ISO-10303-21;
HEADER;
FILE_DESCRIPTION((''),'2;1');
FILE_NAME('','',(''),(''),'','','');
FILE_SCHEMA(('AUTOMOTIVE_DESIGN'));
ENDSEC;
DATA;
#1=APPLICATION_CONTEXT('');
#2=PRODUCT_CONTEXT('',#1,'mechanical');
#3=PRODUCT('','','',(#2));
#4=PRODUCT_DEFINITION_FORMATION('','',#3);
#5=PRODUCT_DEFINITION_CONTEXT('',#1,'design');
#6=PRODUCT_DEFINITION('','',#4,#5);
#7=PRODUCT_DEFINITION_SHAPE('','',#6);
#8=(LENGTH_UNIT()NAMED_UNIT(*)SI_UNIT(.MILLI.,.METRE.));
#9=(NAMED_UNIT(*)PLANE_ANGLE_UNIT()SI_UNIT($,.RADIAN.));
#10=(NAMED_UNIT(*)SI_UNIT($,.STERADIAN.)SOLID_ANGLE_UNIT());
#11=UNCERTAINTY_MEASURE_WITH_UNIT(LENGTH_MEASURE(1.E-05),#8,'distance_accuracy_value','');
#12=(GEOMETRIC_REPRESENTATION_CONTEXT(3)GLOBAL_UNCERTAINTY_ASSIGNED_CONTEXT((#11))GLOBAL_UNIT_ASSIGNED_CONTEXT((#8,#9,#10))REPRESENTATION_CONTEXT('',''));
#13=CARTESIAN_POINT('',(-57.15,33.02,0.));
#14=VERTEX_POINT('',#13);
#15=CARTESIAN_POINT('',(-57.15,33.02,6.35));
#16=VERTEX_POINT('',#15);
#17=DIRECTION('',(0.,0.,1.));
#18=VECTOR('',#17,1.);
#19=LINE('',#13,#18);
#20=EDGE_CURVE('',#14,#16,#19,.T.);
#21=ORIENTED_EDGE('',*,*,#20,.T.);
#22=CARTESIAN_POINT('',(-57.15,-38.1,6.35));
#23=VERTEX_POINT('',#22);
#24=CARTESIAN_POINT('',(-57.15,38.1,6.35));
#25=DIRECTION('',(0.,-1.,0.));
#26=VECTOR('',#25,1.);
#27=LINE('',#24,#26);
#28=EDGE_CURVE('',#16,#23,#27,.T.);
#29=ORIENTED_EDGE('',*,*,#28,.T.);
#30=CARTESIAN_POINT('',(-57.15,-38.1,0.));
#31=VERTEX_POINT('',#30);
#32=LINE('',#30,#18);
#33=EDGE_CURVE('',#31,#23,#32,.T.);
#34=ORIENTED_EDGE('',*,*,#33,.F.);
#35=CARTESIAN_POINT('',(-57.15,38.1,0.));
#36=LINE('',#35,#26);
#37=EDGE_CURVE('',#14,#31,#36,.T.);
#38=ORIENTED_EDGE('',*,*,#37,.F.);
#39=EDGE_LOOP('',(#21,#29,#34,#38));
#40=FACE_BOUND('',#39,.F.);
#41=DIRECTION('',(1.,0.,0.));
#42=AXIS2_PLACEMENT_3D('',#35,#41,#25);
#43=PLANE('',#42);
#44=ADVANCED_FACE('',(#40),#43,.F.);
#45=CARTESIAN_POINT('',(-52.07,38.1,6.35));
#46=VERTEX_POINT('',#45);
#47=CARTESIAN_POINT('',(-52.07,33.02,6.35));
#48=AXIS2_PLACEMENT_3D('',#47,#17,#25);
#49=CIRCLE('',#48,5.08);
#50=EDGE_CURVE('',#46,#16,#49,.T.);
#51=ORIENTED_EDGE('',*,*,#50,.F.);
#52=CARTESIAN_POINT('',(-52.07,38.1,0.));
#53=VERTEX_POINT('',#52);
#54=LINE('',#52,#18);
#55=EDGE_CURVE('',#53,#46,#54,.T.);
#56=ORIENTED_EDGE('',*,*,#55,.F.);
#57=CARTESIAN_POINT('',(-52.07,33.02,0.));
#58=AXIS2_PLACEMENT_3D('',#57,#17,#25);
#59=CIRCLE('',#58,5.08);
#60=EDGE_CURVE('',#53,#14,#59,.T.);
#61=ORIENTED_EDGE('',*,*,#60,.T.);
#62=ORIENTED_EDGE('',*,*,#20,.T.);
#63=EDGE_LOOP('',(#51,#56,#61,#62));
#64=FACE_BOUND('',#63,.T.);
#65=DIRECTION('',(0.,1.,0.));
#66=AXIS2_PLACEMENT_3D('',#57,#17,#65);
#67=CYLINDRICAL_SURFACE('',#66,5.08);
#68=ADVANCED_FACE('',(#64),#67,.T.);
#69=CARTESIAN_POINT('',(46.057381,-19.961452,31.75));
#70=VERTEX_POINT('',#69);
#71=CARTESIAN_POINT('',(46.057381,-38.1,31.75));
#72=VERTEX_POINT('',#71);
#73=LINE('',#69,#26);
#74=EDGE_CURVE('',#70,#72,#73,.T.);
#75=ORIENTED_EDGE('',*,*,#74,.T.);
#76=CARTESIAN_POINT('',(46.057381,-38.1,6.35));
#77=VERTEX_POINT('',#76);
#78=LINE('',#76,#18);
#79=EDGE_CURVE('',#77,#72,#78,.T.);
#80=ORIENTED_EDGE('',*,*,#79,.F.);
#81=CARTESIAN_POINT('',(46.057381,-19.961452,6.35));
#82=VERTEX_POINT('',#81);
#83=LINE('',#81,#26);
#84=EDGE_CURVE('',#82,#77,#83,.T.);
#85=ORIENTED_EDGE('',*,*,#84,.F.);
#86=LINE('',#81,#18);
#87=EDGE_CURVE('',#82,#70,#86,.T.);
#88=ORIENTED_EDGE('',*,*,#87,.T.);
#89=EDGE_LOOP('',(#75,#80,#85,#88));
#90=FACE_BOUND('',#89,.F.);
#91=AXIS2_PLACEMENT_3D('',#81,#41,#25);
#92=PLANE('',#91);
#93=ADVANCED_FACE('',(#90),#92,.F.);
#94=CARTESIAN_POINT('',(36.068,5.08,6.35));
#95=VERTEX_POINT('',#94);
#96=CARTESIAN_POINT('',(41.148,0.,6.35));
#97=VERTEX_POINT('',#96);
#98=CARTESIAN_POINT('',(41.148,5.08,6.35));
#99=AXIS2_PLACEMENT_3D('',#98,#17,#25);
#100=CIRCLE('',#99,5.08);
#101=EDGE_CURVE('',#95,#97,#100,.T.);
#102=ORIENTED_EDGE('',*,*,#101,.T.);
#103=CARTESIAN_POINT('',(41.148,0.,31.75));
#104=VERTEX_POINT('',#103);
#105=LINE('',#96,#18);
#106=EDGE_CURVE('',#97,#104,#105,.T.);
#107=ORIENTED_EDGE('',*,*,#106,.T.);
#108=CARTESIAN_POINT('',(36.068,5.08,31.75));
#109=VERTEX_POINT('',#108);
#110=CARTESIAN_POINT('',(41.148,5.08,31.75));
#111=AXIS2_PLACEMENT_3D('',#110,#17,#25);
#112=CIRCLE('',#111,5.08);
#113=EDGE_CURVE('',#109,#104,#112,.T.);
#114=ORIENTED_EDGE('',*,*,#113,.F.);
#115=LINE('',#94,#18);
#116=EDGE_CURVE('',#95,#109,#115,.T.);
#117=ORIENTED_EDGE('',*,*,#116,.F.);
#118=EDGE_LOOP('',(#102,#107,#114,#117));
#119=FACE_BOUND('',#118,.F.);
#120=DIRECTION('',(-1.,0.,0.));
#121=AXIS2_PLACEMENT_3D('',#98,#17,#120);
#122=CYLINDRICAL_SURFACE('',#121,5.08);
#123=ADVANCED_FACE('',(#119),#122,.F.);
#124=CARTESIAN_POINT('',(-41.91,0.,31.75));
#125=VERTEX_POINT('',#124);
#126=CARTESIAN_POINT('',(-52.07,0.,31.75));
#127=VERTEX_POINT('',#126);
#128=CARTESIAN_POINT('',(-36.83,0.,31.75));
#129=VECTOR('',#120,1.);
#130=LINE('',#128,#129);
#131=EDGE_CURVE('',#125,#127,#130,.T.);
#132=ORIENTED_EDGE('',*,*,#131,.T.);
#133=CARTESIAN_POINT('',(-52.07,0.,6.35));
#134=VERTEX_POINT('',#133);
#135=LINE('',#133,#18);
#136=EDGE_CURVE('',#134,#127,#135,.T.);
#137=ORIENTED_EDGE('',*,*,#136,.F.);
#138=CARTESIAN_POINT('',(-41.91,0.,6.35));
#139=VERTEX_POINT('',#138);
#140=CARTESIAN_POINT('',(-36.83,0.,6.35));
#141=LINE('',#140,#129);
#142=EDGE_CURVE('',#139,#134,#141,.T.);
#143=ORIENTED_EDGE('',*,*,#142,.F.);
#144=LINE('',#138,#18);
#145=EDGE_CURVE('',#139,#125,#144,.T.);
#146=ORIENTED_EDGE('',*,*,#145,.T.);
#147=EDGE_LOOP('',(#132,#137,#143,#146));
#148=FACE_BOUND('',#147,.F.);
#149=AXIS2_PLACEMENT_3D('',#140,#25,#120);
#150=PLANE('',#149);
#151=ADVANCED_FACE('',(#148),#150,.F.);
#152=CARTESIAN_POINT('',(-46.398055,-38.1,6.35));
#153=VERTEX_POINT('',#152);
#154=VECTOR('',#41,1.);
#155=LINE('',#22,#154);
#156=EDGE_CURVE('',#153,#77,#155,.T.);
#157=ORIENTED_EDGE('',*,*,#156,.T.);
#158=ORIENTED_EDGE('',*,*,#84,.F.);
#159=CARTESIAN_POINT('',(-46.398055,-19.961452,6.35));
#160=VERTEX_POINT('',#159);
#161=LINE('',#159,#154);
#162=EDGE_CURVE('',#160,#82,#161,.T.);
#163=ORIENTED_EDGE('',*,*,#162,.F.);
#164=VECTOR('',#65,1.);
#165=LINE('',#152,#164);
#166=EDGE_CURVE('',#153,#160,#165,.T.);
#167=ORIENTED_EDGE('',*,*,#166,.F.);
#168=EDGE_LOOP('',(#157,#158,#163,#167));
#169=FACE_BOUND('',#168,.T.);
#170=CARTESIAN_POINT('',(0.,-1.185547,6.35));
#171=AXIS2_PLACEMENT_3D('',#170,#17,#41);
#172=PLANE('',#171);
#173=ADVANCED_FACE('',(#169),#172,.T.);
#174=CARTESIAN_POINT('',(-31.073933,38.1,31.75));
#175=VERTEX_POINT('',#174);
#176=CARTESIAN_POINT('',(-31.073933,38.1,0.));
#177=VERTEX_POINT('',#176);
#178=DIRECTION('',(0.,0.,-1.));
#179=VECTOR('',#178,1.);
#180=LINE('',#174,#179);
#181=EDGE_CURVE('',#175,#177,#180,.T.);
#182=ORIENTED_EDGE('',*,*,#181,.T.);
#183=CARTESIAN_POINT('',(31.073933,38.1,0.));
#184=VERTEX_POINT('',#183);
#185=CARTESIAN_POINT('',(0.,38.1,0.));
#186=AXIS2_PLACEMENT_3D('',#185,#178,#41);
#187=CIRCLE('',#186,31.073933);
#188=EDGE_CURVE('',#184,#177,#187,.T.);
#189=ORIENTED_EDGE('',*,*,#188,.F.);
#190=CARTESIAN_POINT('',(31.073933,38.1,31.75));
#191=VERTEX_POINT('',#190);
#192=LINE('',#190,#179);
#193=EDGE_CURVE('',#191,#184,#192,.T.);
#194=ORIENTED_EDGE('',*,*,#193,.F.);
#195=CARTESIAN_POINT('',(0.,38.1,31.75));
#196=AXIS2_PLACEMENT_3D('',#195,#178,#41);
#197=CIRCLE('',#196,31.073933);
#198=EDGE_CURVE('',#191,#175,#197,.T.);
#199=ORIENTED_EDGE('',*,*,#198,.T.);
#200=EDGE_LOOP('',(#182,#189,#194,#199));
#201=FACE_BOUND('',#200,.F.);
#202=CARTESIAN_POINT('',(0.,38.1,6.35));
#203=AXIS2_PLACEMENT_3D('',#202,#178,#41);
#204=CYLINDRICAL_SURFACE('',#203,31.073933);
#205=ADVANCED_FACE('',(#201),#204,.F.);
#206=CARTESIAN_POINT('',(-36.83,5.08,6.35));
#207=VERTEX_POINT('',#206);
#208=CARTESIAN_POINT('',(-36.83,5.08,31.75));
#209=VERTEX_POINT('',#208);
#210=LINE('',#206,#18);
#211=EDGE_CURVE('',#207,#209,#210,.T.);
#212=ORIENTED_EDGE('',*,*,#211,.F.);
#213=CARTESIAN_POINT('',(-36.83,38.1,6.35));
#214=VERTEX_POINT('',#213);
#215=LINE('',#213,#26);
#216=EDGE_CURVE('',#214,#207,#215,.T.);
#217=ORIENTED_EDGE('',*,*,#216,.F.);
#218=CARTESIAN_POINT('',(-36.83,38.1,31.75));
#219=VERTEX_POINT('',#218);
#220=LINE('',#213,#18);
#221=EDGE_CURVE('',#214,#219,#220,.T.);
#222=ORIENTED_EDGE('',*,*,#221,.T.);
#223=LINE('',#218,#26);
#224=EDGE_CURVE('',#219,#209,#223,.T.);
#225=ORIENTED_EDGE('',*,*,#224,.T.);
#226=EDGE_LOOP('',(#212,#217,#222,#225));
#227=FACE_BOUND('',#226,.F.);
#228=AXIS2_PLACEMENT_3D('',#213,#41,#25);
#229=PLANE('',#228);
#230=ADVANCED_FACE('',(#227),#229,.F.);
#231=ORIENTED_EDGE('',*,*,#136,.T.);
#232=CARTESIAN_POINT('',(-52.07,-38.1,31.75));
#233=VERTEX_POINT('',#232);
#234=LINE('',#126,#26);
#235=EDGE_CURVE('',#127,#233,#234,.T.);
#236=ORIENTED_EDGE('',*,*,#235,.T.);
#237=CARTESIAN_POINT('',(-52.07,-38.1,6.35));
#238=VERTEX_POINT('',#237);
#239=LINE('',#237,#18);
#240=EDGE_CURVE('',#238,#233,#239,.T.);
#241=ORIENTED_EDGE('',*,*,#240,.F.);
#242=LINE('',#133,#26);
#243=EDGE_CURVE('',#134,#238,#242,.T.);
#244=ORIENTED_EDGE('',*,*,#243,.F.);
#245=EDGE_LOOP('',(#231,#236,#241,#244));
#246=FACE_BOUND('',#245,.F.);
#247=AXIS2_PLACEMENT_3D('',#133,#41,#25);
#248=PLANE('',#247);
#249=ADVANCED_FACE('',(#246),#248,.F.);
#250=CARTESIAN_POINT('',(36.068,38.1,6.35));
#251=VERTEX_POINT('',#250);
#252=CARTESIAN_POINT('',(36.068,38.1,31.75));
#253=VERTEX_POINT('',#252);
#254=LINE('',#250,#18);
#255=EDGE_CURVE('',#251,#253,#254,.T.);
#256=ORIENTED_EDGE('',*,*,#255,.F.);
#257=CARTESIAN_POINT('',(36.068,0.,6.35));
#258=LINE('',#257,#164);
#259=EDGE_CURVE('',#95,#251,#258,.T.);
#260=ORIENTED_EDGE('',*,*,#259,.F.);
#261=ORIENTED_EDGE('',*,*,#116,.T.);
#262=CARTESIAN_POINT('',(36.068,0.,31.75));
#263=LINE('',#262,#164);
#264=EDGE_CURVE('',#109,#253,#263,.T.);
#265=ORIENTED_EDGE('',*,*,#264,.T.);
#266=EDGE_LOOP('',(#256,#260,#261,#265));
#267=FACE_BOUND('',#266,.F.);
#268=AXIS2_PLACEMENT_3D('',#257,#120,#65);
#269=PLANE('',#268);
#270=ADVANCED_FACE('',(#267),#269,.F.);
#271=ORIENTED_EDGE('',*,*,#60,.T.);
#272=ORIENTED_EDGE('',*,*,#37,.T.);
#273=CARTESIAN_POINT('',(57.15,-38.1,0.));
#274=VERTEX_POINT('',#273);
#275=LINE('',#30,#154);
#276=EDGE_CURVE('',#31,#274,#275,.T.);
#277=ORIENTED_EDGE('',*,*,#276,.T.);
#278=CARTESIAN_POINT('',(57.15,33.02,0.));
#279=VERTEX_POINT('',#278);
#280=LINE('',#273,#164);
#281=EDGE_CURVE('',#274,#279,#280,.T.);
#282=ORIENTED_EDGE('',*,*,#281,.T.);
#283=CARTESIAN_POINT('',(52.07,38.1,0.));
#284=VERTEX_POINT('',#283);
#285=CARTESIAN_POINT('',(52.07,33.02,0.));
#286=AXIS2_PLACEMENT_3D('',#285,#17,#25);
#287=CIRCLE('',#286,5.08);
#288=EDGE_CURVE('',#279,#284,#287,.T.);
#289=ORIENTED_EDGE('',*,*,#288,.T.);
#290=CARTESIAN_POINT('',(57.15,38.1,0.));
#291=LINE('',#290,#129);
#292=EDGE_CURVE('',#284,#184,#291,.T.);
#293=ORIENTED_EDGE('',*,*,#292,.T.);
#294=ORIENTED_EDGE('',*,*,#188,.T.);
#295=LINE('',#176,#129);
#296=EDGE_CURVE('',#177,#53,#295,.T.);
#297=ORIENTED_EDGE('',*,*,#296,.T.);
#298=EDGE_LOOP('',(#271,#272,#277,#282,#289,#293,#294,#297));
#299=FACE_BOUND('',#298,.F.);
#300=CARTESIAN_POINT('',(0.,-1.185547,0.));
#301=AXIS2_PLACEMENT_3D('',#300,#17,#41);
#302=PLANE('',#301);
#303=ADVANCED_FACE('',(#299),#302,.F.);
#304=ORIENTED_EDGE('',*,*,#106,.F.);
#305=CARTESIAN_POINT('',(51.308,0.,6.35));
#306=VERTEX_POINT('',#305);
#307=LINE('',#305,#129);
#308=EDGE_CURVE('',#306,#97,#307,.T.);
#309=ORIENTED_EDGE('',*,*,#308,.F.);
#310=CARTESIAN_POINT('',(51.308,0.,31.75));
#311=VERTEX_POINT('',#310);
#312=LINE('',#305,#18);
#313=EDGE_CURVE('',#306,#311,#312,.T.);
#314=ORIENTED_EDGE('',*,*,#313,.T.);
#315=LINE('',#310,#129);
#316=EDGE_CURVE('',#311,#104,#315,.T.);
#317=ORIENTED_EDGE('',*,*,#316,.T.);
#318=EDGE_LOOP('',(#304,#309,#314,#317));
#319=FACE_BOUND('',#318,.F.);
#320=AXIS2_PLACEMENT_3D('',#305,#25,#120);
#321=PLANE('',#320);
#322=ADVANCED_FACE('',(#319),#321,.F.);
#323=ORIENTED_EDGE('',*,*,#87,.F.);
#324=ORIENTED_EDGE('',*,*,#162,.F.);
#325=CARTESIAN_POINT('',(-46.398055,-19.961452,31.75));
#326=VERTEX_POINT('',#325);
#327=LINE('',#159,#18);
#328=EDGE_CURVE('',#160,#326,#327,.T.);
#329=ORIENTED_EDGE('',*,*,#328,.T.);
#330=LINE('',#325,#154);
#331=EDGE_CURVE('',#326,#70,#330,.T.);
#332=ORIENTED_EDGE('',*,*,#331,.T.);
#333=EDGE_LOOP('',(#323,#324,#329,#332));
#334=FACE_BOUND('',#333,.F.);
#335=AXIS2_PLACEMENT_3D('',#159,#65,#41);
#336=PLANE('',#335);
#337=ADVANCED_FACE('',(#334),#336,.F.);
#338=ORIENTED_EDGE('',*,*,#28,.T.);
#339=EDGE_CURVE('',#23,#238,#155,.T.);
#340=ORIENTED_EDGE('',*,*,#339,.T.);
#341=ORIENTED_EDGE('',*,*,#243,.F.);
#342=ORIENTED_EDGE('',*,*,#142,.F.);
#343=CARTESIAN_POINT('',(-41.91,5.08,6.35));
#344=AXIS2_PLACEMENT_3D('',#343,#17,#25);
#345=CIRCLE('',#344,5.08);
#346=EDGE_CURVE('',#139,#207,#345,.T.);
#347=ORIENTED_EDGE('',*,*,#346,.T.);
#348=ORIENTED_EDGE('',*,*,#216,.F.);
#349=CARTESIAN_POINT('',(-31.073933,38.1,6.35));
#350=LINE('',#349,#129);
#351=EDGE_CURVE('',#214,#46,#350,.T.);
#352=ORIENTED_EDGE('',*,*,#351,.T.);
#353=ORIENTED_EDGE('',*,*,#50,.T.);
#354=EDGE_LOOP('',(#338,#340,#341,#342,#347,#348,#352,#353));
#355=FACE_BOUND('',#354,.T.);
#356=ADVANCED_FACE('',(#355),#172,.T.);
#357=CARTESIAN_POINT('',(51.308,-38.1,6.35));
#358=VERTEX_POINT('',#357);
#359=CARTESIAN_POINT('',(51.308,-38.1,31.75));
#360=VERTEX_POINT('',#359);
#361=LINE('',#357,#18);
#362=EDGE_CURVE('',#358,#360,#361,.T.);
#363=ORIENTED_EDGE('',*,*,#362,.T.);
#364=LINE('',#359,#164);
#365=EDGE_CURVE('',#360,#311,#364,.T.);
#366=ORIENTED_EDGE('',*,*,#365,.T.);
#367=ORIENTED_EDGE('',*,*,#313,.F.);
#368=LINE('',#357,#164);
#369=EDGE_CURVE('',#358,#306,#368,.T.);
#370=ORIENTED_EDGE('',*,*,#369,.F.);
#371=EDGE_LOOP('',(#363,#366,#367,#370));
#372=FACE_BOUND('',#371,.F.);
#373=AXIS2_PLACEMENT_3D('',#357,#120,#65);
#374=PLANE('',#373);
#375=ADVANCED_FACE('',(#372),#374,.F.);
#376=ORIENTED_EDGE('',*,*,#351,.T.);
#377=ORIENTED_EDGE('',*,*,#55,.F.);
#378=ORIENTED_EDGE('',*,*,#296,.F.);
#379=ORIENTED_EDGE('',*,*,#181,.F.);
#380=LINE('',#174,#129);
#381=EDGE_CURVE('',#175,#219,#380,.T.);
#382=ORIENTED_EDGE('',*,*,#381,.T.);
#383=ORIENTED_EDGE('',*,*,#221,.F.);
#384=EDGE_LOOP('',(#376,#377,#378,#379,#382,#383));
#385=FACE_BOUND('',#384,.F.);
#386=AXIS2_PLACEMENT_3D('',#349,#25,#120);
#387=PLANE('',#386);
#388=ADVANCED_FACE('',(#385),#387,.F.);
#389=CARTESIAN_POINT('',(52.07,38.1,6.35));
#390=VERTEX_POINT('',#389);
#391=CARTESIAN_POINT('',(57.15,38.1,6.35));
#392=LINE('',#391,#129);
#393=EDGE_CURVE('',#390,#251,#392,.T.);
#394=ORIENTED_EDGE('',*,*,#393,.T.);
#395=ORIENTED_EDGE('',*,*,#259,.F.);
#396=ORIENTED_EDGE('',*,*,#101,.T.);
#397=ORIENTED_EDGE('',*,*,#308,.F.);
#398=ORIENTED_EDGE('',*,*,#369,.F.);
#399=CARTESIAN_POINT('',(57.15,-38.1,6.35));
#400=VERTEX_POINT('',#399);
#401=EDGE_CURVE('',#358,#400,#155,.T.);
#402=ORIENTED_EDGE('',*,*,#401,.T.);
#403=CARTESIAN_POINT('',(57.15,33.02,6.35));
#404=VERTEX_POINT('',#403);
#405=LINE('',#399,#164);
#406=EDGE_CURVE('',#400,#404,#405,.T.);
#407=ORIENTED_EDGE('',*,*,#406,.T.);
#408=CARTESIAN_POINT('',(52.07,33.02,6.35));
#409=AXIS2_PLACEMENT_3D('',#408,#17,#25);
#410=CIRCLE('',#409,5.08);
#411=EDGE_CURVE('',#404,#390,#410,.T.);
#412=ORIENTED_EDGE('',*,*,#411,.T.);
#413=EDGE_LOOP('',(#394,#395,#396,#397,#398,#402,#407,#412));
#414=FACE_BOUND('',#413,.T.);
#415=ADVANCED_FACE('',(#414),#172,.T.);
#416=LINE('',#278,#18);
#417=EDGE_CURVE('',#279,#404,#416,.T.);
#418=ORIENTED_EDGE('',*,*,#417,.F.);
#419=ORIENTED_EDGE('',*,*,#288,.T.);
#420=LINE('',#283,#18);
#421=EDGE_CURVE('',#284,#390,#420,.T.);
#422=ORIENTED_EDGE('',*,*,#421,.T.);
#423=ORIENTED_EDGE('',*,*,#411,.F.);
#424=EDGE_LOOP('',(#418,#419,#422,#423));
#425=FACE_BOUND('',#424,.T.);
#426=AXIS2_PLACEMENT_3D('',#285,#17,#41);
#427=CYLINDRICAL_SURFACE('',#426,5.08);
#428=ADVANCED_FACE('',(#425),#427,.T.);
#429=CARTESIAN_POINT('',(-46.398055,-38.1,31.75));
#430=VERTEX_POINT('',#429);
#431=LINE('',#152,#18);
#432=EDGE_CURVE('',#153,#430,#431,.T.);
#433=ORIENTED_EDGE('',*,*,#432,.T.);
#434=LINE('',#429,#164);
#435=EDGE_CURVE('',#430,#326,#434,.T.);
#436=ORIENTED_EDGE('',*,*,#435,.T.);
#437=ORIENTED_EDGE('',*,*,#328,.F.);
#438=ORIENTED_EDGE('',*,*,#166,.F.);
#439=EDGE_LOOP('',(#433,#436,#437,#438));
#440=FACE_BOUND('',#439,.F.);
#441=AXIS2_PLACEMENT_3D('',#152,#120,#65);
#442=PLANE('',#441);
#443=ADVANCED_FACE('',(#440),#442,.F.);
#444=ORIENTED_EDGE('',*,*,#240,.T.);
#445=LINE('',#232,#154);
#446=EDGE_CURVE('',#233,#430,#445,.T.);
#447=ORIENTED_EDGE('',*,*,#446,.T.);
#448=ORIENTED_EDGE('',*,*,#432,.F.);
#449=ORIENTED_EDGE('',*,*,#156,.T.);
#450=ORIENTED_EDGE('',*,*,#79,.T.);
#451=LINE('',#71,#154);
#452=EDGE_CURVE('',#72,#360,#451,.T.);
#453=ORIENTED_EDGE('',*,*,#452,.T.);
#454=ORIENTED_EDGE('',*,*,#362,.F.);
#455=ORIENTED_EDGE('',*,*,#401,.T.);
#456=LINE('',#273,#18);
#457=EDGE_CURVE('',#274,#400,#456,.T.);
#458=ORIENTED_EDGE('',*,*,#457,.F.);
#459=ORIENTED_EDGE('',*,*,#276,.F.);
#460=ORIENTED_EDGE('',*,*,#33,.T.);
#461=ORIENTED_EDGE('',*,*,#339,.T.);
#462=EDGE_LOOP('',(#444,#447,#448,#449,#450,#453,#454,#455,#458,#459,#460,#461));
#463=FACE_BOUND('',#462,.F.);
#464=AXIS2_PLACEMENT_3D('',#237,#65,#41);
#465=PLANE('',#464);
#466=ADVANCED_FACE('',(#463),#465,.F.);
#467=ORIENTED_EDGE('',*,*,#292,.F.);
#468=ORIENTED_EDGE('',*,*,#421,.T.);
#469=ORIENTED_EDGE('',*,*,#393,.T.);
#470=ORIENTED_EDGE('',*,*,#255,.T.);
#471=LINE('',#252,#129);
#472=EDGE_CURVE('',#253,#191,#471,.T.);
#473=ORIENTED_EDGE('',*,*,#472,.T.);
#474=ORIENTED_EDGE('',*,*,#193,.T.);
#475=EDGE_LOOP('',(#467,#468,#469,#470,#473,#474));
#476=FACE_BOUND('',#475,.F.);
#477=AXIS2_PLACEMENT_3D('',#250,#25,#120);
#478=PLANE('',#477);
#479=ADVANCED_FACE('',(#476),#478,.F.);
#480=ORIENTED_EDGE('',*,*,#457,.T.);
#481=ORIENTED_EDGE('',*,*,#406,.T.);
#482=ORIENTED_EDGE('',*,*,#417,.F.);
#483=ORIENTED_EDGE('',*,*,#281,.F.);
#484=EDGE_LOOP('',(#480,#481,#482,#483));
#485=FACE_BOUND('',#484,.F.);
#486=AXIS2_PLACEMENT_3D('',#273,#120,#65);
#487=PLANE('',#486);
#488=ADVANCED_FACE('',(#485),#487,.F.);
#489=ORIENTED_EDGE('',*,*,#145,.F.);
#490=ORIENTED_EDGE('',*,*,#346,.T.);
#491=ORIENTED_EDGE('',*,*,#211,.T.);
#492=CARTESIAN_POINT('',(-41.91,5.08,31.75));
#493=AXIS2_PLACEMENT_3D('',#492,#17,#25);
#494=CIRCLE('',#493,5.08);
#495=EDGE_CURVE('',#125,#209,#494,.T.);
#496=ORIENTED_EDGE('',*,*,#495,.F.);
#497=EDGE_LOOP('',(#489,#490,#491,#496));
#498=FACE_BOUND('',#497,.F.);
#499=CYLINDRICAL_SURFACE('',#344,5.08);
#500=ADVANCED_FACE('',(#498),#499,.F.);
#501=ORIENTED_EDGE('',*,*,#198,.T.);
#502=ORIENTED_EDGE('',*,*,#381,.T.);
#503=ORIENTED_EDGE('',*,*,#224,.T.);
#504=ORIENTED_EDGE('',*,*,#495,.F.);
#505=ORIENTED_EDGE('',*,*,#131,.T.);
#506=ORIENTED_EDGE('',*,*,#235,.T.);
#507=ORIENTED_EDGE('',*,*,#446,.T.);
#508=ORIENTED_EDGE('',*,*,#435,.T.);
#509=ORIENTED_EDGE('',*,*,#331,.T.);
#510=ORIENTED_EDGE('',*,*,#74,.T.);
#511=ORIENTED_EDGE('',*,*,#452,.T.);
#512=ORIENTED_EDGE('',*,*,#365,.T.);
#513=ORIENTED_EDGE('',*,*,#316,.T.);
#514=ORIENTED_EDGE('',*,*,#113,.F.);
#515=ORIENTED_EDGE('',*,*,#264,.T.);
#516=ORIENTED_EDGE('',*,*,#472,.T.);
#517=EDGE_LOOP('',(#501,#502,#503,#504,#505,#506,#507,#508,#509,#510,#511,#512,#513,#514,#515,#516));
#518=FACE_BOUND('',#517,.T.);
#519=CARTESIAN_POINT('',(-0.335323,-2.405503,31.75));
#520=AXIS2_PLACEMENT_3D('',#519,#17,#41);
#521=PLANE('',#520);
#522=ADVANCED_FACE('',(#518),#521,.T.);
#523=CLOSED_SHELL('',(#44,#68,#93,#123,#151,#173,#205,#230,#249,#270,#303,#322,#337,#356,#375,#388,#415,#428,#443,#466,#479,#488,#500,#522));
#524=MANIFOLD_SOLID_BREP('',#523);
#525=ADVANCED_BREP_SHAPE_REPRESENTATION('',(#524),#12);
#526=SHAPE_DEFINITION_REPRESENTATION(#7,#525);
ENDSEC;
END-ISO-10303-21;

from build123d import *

# Parameters (mm, degrees)
F1_DEPTH = 6.35
F2_R     = 5.08
F4_DEPTH = 25.4
F5_R     = 5.08


with BuildPart() as f1:
    # F0 (on Top) → F1 (new body)
    with BuildSketch(Plane.XY):
        with BuildLine():
            Line((-31.073933, 38.1), (-57.15, 38.1))
            Line((-57.15, 38.1), (-57.15, -38.1))
            Line((-57.15, -38.1), (57.15, -38.1))
            Line((57.15, -38.1), (57.15, 38.1))
            Line((57.15, 38.1), (31.073933, 38.1))
            ThreePointArc((31.073933, 38.1), (0, 7.026067), (-31.073933, 38.1))
        make_face()
    extrude(amount=F1_DEPTH)

    # F2
    f2_edges = [f1.edges().sort_by_distance(p)[0] for p in [
        (-57.15, 38.1, 3.175),
        (57.15, 38.1, 3.175),
    ]]
    fillet(f2_edges, radius=F2_R)

    # F3 (on face) → F4 (join)
    with BuildSketch(Plane.XY.offset(6.35)):
        with BuildLine():
            Line((-31.073933, 38.1), (-36.83, 38.1))
            Line((-36.83, 38.1), (-36.83, 0))
            Line((-36.83, 0), (-52.07, 0))
            Line((-52.07, 0), (-52.07, -38.1))
            Line((-52.07, -38.1), (-46.398055, -38.1))
            Line((-46.398055, -38.1), (-46.398055, -19.961452))
            Line((-46.398055, -19.961452), (46.057381, -19.961452))
            Line((46.057381, -19.961452), (46.057381, -38.1))
            Line((46.057381, -38.1), (51.308, -38.1))
            Line((51.308, -38.1), (51.308, 0))
            Line((51.308, 0), (36.068, 0))
            Line((36.068, 0), (36.068, 38.1))
            Line((36.068, 38.1), (31.073933, 38.1))
            ThreePointArc((31.073933, 38.1), (0, 7.026067), (-31.073933, 38.1))
        make_face()
    extrude(amount=F4_DEPTH)

    # F5
    f5_edges = [f1.edges().sort_by_distance(p)[0] for p in [
        (36.068, 0, 19.05),
        (-36.83, 0, 19.05),
    ]]
    fillet(f5_edges, radius=F5_R)


solid = f1.part
